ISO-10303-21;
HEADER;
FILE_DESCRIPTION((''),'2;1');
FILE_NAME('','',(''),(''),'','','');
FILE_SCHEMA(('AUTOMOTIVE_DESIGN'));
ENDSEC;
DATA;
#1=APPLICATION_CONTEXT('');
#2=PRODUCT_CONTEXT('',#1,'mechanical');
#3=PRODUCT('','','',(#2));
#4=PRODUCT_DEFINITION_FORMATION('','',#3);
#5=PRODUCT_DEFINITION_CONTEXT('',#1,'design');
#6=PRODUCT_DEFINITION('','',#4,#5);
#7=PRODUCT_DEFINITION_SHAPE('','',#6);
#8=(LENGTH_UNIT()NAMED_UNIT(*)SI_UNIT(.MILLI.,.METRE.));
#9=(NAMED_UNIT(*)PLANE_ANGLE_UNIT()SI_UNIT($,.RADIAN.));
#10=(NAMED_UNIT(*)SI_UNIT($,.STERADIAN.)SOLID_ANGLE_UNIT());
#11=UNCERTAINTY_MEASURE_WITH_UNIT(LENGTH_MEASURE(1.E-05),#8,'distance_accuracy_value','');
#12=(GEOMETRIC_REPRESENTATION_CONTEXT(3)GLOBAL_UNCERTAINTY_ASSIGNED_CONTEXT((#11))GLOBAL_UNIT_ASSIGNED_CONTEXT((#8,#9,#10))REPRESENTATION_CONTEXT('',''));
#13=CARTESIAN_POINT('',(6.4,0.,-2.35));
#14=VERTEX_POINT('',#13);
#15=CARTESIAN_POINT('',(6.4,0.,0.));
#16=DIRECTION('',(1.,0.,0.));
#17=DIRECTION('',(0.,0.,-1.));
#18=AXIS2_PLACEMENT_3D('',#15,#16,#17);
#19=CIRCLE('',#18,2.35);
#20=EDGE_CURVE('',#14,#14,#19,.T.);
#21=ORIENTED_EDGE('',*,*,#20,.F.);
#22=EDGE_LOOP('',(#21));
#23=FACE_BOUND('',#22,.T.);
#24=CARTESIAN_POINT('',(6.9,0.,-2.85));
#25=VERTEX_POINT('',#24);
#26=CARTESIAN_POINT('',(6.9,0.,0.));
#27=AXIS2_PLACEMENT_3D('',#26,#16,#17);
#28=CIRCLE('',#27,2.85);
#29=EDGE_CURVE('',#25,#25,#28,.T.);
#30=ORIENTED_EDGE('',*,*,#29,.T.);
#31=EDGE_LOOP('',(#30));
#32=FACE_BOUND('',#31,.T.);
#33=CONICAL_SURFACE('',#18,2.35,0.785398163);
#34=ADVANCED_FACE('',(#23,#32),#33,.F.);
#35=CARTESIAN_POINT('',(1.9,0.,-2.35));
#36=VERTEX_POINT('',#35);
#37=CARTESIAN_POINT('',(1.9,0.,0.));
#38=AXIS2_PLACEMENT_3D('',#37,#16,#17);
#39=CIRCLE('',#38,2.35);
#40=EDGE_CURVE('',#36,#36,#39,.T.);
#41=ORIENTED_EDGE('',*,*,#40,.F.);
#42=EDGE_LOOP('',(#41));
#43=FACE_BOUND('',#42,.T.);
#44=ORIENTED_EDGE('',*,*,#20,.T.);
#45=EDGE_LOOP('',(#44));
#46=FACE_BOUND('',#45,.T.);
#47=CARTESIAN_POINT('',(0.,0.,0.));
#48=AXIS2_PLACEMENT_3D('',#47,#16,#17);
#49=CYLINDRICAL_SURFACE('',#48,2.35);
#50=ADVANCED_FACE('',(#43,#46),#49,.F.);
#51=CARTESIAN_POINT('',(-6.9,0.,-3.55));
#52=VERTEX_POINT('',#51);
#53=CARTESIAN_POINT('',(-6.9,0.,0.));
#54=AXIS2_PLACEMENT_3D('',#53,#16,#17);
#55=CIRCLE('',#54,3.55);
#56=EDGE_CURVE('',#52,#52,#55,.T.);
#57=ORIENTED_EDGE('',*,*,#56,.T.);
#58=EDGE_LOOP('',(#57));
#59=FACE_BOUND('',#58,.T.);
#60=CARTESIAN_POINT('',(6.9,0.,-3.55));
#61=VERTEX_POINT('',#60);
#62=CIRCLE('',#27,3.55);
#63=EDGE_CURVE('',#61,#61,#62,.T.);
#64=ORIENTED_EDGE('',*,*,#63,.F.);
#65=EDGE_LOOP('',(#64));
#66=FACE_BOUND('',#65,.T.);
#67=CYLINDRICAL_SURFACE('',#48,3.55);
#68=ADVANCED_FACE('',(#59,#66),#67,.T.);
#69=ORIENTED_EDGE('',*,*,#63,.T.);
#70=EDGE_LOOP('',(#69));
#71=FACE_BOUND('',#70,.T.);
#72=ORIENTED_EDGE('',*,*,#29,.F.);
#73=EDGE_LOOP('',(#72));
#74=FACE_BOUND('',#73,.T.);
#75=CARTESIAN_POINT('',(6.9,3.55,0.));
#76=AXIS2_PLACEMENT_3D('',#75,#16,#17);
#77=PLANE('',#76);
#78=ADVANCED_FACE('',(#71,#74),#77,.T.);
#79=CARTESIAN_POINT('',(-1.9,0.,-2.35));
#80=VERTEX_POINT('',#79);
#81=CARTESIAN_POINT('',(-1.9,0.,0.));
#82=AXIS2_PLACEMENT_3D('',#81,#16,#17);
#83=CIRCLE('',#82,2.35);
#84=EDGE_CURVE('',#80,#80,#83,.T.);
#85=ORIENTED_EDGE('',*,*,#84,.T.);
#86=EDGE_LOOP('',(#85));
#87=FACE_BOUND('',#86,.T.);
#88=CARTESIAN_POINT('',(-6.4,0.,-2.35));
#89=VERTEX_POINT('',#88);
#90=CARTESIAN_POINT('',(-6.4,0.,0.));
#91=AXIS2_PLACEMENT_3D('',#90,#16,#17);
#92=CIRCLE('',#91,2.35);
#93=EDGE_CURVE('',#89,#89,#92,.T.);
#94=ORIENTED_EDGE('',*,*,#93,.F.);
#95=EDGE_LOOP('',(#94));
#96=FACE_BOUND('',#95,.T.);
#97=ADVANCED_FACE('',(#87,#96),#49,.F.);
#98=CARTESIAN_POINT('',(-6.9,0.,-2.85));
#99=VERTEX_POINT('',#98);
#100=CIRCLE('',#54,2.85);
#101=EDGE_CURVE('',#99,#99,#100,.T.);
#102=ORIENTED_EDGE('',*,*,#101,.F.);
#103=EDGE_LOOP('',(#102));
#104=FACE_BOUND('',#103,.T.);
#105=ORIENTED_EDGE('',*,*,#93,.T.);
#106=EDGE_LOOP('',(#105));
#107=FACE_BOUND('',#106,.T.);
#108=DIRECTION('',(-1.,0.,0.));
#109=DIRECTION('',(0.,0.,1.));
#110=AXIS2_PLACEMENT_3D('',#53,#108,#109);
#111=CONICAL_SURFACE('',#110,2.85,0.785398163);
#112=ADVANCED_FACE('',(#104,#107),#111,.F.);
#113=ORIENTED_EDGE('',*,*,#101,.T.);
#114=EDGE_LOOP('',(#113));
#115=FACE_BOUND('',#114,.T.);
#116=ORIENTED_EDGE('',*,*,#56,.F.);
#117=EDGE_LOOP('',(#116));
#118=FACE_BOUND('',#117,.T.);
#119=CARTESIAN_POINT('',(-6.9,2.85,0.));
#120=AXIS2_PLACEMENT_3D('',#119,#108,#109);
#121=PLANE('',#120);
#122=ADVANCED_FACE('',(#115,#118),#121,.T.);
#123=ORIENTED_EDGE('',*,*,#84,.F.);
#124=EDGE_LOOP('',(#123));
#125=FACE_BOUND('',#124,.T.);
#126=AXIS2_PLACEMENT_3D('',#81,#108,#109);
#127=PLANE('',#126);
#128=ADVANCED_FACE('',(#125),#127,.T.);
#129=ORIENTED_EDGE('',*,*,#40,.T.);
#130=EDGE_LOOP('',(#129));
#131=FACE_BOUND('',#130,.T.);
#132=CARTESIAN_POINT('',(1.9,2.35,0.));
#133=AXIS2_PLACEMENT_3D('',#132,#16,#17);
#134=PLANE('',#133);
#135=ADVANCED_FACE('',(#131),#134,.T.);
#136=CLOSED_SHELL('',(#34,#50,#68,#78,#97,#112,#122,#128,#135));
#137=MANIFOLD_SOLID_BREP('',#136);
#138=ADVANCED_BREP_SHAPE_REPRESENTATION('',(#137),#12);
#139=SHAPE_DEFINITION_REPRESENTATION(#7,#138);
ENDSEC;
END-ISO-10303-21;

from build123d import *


with BuildPart() as part:
    # Sketch1 → Revolve1 (revolve)
    with BuildSketch(Plane.XY, mode=Mode.PRIVATE) as revolve1_sk:
        Polygon((-1.9, 0), (-1.9, 2.35), (-6.4, 2.35), (-6.9, 2.85), (-6.9, 3.55), (6.9, 3.55), (6.9, 2.85), (6.4, 2.35), (1.9, 2.35), (1.9, 0), align=None)
    revolve(revolve1_sk.sketch.rotate(Axis((0, 0, 0), (-1, 0, 0)), 90), axis=Axis((0, 0, 0), (-1, 0, 0)))


solid = part.part
